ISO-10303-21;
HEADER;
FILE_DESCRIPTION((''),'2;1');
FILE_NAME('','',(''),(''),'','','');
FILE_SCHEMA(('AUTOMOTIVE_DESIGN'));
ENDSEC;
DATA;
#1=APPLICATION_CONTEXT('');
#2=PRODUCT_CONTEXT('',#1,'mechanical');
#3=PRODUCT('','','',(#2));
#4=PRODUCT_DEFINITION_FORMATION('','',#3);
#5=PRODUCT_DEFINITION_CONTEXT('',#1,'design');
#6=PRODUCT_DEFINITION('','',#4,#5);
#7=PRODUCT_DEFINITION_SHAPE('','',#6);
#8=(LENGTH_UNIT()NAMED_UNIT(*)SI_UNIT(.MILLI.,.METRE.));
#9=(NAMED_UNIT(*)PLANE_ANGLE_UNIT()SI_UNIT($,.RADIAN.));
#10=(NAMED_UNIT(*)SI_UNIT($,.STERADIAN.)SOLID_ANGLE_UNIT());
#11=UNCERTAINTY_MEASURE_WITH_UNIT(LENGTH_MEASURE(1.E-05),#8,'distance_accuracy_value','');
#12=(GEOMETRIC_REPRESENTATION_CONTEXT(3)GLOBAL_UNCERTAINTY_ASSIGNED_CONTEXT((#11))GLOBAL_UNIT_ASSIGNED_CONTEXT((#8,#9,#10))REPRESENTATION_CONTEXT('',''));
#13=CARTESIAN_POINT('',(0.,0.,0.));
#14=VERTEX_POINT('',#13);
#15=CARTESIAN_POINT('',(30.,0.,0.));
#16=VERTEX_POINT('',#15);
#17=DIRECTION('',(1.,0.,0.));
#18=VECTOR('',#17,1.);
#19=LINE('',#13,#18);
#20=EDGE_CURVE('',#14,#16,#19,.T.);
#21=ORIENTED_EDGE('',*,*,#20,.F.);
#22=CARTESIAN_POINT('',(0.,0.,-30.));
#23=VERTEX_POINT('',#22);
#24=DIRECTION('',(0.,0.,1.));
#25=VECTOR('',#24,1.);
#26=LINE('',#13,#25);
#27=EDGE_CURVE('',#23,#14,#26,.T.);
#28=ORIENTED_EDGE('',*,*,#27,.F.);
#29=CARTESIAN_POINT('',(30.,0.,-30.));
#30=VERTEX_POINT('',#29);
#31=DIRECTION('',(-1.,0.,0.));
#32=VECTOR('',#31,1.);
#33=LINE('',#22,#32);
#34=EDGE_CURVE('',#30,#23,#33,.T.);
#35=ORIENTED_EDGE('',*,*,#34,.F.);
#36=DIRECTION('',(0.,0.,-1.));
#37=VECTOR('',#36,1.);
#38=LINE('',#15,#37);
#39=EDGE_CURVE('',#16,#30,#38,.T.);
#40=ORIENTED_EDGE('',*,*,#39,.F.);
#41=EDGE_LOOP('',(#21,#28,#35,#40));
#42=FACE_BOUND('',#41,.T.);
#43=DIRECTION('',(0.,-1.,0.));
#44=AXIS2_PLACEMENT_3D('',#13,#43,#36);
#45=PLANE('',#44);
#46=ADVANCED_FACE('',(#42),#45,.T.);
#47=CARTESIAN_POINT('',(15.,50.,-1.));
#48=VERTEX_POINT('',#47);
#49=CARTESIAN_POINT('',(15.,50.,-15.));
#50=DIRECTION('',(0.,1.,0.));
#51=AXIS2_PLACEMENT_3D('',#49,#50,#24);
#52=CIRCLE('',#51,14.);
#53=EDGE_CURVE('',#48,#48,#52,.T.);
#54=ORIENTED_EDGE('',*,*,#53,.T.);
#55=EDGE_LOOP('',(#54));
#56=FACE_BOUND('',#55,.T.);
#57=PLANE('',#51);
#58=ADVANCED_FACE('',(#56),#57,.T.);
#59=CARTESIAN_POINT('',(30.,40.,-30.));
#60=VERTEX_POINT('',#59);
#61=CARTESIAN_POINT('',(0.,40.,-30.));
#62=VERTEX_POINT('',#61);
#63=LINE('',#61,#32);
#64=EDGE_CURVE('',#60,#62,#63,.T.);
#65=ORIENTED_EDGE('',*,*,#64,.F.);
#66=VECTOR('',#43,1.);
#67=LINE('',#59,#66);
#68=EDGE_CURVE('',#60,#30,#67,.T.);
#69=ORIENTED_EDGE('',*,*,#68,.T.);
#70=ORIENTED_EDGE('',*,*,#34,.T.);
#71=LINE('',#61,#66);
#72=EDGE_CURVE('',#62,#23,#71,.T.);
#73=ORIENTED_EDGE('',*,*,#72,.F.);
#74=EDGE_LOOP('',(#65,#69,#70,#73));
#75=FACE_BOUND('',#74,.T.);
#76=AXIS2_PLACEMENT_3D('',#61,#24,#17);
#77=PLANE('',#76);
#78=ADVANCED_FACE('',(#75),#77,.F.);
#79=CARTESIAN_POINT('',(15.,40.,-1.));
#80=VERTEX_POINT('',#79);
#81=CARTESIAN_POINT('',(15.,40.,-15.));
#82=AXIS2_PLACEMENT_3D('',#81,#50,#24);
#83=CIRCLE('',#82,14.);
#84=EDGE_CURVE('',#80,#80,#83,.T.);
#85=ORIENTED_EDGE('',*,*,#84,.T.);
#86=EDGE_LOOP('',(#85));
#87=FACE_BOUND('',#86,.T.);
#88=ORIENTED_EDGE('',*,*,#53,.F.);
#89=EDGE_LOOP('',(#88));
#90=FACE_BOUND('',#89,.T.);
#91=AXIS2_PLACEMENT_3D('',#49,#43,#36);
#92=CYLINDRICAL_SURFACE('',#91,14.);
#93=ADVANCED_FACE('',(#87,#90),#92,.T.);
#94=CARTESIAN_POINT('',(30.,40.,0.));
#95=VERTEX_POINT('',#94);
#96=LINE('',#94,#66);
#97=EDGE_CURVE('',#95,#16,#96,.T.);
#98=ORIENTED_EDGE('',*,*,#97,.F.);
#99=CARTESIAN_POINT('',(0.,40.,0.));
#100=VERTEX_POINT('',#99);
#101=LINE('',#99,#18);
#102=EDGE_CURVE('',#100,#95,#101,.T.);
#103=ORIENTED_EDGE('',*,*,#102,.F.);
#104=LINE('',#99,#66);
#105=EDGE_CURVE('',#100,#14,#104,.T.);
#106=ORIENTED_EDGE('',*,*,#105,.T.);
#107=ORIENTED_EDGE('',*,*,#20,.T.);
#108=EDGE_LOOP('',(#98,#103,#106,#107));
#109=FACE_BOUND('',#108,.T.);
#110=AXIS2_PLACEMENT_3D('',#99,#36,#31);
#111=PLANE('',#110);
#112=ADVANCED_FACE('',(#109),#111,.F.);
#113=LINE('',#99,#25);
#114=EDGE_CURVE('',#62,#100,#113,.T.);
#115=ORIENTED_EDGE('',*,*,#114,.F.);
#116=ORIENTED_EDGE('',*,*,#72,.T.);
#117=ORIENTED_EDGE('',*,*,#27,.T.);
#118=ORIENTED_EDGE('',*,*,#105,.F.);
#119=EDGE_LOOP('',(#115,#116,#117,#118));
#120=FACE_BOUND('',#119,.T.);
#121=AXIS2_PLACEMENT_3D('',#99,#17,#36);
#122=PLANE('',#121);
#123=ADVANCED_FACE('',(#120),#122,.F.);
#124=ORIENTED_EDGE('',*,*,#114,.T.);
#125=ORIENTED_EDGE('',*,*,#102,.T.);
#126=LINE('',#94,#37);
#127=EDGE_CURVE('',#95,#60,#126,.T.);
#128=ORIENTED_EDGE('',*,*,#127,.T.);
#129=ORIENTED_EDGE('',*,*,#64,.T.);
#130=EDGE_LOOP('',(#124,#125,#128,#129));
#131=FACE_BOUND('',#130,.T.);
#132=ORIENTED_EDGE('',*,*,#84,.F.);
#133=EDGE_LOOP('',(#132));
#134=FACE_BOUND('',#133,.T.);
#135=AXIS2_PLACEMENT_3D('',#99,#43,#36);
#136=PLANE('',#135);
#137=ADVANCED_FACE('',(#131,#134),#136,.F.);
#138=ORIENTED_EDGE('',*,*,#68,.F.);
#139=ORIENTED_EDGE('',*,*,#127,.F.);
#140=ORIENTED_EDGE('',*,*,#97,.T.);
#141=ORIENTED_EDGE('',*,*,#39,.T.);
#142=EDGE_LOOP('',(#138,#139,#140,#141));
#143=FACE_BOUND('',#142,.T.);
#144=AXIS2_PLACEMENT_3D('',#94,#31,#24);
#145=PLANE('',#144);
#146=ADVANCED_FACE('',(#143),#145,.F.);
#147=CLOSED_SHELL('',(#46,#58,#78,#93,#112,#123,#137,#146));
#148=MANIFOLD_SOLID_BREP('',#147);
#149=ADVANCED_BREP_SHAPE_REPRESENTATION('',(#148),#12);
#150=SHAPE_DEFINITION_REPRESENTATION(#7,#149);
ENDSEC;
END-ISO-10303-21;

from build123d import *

# Parameters (mm, degrees)
SKETCH1_W           = 30
SKETCH1_H           = 30
BOSS_EXTRUDE1_DEPTH = 40
SKETCH2_R           = 14
BOSS_EXTRUDE2_DEPTH = 10


with BuildPart() as part:
    # Sketch1 → Boss-Extrude1 (new body)
    with BuildSketch(Plane(origin=(0, 0, 0), x_dir=(1, 0, 0), z_dir=(0, 1, 0))):
        with Locations((15, 15)):
            Rectangle(SKETCH1_W, SKETCH1_H)
    extrude(amount=BOSS_EXTRUDE1_DEPTH)

    # Sketch2 → Boss-Extrude2 (add)
    with BuildSketch(Plane(origin=(0, 40, 0), x_dir=(1, 0, 0), z_dir=(0, 1, 0))):
        with Locations(Location((15, 15, 0), (0, 0, 270))):
            Circle(SKETCH2_R)
    extrude(amount=BOSS_EXTRUDE2_DEPTH)


solid = part.part
